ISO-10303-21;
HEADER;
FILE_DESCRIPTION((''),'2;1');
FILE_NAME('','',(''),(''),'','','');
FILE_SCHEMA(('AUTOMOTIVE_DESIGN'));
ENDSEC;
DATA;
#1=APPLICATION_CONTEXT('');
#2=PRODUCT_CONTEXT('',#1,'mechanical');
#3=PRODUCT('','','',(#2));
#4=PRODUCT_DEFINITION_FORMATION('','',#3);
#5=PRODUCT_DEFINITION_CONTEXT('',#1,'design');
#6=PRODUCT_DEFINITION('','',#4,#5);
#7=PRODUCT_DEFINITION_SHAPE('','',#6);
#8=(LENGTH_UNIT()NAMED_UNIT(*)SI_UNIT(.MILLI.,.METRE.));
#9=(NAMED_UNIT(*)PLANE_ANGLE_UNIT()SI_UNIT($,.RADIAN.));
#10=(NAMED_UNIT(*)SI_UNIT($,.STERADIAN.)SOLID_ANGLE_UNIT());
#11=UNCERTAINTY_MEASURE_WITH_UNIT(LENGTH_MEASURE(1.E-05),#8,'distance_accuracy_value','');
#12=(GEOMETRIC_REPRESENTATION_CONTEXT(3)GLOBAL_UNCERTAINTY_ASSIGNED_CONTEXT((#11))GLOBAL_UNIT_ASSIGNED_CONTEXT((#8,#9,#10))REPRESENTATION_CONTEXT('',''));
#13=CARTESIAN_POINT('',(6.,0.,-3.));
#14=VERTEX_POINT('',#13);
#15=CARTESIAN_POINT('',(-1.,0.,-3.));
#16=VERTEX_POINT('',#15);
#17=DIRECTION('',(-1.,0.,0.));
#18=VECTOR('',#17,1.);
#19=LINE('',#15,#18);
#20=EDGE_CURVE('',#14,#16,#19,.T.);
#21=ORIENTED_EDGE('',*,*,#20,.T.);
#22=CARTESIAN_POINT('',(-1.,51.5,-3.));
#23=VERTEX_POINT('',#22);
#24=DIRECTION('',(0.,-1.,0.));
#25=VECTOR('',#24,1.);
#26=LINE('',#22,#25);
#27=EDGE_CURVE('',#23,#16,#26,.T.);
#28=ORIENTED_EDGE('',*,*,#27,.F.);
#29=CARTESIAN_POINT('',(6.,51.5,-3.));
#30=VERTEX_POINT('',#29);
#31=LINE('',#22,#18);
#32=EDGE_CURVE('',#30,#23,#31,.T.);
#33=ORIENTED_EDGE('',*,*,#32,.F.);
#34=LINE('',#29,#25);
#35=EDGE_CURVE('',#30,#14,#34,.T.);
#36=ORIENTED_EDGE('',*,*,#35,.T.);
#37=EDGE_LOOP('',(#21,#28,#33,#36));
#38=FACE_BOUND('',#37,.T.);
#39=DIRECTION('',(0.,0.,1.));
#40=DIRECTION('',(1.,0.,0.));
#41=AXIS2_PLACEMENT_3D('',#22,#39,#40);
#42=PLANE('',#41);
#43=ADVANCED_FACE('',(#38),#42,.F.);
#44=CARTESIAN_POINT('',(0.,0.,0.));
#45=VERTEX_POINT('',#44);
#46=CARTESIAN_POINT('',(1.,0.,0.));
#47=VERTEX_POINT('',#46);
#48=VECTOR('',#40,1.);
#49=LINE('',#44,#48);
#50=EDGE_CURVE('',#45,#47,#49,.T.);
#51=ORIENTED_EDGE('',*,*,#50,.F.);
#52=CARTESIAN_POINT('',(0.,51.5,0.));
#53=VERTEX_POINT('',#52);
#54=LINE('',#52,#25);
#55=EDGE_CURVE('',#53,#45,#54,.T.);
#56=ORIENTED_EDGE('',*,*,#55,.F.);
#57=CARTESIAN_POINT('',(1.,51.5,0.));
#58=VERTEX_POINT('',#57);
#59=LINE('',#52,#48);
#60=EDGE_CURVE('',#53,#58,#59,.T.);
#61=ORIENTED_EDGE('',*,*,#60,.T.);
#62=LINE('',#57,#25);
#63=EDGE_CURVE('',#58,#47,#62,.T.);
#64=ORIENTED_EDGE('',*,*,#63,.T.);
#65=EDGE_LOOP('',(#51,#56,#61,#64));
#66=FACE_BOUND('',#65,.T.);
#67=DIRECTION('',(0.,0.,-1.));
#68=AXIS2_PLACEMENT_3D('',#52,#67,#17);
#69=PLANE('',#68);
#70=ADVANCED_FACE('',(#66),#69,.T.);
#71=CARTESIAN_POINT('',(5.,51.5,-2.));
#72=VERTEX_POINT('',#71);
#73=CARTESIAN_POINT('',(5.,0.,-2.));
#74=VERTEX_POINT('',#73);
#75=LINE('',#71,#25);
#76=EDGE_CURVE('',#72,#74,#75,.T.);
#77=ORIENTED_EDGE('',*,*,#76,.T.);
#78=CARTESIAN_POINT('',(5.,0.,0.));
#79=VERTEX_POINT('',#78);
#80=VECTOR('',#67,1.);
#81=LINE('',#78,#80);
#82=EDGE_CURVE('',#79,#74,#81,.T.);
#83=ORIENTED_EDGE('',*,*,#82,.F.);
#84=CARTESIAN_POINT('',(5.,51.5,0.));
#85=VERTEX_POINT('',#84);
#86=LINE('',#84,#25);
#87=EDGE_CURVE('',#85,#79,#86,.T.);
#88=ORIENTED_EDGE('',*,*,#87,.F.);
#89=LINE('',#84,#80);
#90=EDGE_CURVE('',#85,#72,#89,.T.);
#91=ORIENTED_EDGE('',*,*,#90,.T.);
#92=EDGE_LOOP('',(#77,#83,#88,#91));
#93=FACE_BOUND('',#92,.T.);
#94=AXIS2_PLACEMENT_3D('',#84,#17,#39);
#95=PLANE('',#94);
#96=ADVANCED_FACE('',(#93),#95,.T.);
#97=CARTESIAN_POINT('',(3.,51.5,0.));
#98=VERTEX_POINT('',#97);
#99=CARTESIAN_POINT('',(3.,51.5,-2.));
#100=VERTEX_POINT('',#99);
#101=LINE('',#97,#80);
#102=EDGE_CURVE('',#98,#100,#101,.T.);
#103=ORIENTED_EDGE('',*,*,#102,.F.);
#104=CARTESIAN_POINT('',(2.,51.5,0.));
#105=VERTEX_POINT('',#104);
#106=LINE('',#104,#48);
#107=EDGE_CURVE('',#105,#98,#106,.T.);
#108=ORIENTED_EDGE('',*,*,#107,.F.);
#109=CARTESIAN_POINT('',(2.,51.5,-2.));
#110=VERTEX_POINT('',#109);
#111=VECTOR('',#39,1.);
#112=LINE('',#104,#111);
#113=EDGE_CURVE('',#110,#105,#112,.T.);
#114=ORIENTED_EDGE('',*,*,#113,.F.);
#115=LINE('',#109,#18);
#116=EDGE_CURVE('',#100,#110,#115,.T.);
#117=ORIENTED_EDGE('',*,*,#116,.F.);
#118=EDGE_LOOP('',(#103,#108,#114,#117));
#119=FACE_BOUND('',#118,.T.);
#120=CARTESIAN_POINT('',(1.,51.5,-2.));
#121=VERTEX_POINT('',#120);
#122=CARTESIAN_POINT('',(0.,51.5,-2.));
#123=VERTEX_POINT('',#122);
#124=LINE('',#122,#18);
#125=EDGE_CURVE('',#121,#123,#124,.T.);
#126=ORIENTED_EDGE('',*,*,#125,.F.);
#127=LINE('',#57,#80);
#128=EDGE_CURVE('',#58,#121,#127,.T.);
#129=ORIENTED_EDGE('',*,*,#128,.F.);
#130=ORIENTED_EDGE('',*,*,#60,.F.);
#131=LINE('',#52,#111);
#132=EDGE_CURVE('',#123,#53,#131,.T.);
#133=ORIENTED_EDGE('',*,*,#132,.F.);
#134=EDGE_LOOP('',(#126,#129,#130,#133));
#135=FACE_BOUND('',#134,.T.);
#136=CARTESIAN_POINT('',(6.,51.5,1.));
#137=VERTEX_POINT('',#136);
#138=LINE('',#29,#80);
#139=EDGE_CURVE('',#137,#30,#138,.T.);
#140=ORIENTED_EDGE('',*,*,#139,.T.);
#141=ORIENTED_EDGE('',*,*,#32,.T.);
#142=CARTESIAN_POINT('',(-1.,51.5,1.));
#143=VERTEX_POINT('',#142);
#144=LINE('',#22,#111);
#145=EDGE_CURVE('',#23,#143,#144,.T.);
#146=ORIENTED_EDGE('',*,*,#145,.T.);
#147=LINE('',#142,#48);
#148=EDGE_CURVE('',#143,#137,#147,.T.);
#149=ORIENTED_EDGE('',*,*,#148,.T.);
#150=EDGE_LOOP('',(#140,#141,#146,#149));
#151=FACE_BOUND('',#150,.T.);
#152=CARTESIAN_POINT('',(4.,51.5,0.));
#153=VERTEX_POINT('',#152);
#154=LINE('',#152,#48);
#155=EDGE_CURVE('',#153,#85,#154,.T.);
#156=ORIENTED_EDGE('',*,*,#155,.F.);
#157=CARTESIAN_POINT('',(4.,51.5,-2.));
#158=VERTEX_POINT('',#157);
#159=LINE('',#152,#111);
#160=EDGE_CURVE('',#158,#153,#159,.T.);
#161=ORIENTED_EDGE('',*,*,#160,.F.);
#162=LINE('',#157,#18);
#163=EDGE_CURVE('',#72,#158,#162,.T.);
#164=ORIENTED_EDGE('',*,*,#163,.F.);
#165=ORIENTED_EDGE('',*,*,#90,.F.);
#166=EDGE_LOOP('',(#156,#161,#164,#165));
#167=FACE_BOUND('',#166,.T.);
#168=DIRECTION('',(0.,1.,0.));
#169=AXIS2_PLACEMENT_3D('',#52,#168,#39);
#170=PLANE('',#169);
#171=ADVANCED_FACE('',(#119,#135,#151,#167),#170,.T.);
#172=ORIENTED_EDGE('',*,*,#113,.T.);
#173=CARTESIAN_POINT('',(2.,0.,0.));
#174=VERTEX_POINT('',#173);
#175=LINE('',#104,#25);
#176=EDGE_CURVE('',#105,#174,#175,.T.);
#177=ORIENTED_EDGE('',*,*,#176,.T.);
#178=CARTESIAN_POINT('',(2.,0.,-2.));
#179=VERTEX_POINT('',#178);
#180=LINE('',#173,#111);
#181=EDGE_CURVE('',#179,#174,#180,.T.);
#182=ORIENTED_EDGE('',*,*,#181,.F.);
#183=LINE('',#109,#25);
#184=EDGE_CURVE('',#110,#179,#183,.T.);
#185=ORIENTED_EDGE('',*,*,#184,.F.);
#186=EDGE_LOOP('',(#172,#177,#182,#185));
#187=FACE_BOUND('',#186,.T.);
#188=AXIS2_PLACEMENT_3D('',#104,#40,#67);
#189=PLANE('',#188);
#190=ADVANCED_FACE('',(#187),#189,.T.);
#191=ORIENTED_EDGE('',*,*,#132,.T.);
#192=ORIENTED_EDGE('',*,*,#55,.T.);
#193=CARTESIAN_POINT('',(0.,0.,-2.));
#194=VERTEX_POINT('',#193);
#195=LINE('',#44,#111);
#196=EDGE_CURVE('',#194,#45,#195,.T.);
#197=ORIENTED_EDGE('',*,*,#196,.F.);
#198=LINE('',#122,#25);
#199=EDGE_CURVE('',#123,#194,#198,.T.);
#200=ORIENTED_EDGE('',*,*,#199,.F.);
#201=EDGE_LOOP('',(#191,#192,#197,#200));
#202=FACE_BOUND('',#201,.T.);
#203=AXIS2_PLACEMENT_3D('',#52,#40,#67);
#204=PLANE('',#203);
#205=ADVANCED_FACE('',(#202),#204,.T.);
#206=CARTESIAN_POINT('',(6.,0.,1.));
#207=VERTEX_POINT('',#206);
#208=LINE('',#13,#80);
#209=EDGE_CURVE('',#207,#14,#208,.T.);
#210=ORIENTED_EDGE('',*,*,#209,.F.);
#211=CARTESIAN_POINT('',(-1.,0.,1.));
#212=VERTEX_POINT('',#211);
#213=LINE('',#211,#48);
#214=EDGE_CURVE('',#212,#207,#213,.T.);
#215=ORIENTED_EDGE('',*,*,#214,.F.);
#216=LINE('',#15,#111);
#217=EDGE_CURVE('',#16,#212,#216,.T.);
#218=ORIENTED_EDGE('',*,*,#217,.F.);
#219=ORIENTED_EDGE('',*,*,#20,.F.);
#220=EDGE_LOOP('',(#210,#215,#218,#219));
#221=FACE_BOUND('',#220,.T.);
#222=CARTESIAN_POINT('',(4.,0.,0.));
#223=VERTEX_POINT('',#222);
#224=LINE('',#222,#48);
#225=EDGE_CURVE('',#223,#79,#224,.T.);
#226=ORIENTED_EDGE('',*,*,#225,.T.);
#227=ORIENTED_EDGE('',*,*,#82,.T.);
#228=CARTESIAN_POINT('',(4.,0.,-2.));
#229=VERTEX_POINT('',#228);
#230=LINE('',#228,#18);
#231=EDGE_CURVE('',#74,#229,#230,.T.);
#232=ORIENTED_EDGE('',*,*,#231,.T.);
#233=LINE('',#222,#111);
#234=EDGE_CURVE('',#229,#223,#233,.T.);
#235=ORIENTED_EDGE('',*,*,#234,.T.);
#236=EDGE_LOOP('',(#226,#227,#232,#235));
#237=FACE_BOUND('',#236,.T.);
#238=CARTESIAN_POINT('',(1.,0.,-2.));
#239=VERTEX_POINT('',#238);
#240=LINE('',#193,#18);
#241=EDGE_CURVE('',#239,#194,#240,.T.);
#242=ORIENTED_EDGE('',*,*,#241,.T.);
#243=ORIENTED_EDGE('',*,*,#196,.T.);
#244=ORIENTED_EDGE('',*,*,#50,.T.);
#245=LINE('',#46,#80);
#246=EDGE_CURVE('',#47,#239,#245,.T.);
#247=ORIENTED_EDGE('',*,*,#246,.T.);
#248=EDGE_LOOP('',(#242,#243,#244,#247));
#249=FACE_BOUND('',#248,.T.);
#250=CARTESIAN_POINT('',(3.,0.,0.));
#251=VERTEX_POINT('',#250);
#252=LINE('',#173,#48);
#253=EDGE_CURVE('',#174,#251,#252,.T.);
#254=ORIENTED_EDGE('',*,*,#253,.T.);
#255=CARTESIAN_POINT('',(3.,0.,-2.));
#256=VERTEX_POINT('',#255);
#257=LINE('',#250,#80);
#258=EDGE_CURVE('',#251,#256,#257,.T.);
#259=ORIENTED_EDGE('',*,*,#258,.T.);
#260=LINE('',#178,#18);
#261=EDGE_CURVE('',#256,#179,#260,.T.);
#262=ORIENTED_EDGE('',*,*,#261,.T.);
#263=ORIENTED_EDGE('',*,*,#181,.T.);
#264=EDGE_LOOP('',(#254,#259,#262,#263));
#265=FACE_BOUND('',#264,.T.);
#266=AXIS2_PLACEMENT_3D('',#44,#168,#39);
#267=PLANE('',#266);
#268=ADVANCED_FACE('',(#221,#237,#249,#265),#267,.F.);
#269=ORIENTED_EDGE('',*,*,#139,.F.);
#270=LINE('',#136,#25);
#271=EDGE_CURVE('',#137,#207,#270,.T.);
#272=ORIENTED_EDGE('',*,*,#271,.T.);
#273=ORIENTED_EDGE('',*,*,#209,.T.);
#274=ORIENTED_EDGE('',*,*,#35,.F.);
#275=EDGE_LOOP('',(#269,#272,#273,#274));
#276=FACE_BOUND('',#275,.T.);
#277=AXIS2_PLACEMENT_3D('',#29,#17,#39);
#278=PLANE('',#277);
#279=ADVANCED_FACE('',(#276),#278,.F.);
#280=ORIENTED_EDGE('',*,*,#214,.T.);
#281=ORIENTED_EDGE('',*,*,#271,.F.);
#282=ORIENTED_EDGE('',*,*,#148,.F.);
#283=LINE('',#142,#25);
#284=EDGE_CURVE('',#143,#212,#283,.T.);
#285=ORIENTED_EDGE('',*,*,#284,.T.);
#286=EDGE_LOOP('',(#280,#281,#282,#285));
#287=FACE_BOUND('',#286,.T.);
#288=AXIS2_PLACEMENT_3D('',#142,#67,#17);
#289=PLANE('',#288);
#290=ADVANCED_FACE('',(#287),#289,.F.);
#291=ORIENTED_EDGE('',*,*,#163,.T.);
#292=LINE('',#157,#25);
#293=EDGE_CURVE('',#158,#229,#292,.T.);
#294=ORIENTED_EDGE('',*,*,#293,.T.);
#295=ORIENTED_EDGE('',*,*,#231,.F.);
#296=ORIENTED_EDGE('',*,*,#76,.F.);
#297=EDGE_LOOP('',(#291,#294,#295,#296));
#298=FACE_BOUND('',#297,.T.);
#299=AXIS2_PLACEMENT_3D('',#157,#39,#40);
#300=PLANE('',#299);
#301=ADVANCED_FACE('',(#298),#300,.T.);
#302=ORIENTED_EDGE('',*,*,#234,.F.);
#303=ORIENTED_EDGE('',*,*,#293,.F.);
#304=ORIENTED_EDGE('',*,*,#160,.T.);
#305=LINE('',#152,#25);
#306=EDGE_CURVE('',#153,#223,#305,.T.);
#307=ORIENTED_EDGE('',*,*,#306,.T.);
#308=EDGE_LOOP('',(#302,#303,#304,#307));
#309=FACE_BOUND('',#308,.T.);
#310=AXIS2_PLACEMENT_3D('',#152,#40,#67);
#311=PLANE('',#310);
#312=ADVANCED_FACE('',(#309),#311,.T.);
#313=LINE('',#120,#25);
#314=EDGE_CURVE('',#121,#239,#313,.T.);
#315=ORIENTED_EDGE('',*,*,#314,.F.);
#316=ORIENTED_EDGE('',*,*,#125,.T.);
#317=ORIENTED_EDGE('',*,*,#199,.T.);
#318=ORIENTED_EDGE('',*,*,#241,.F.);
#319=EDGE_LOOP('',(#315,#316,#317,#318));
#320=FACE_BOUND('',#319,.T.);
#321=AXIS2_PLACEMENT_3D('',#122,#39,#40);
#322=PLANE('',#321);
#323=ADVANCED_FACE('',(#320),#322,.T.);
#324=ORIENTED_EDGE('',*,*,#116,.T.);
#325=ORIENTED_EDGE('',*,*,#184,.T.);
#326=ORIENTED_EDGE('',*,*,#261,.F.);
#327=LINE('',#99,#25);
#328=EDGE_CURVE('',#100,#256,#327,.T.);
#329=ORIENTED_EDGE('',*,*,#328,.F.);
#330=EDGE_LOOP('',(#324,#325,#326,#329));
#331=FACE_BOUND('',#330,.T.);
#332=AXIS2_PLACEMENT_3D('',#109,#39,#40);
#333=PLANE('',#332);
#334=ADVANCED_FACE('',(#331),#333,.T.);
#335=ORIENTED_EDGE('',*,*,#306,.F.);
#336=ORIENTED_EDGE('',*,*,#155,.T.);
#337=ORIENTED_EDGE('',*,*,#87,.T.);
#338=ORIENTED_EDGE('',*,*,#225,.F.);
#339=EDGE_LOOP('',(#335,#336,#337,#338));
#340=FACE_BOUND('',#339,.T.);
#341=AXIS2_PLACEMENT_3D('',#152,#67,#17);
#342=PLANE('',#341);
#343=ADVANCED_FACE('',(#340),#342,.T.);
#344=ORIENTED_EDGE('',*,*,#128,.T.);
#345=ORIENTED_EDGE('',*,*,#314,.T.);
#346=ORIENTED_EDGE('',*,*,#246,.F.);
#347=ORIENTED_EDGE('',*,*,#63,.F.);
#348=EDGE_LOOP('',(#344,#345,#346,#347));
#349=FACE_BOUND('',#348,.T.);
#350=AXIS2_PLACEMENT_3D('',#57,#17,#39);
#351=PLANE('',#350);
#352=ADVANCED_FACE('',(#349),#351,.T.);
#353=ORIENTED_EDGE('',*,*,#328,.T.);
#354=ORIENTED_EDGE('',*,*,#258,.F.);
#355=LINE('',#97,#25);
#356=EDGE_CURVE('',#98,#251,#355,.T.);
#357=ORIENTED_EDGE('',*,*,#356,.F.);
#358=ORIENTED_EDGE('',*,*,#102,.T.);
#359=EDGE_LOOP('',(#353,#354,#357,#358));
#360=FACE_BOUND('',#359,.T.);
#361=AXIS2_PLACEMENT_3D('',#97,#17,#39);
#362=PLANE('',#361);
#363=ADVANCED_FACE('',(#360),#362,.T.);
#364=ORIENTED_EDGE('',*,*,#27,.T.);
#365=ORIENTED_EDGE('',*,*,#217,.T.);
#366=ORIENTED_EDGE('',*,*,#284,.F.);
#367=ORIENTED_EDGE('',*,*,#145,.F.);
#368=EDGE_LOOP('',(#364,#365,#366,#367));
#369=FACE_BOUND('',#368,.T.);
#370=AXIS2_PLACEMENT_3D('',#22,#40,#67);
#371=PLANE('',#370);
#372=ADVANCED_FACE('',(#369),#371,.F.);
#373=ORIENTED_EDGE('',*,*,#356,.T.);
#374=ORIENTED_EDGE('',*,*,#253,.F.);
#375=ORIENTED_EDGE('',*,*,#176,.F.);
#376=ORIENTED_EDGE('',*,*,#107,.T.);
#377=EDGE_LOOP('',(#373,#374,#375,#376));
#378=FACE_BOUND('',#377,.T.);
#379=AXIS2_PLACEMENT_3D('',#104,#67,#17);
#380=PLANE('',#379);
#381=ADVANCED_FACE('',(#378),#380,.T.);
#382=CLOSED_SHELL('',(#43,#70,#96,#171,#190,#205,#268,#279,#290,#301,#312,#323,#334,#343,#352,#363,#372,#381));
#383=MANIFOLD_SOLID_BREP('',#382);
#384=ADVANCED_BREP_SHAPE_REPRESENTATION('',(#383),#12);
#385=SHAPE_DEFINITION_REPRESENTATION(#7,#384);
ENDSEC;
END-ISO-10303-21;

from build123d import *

# Parameters (mm, degrees)
SKETCH1_W           = 7
SKETCH1_H           = 4
SKETCH1_W_2         = 1
SKETCH1_H_2         = 2
BOSS_EXTRUDE1_DEPTH = 51.5


with BuildPart() as part:
    # Sketch1 → Boss-Extrude1 (new body)
    with BuildSketch(Plane(origin=(0, 0, 0), x_dir=(1, 0, 0), z_dir=(0, 1, 0))):
        with Locations((2.5, 1)):
            Rectangle(SKETCH1_W, SKETCH1_H)
        with Locations((0.5, 1)):
            Rectangle(SKETCH1_W_2, SKETCH1_H_2, mode=Mode.SUBTRACT)
        with Locations((2.5, 1)):
            Rectangle(SKETCH1_W_2, SKETCH1_H_2, mode=Mode.SUBTRACT)
        with Locations((4.5, 1)):
            Rectangle(SKETCH1_W_2, SKETCH1_H_2, mode=Mode.SUBTRACT)
    extrude(amount=BOSS_EXTRUDE1_DEPTH)


solid = part.part
